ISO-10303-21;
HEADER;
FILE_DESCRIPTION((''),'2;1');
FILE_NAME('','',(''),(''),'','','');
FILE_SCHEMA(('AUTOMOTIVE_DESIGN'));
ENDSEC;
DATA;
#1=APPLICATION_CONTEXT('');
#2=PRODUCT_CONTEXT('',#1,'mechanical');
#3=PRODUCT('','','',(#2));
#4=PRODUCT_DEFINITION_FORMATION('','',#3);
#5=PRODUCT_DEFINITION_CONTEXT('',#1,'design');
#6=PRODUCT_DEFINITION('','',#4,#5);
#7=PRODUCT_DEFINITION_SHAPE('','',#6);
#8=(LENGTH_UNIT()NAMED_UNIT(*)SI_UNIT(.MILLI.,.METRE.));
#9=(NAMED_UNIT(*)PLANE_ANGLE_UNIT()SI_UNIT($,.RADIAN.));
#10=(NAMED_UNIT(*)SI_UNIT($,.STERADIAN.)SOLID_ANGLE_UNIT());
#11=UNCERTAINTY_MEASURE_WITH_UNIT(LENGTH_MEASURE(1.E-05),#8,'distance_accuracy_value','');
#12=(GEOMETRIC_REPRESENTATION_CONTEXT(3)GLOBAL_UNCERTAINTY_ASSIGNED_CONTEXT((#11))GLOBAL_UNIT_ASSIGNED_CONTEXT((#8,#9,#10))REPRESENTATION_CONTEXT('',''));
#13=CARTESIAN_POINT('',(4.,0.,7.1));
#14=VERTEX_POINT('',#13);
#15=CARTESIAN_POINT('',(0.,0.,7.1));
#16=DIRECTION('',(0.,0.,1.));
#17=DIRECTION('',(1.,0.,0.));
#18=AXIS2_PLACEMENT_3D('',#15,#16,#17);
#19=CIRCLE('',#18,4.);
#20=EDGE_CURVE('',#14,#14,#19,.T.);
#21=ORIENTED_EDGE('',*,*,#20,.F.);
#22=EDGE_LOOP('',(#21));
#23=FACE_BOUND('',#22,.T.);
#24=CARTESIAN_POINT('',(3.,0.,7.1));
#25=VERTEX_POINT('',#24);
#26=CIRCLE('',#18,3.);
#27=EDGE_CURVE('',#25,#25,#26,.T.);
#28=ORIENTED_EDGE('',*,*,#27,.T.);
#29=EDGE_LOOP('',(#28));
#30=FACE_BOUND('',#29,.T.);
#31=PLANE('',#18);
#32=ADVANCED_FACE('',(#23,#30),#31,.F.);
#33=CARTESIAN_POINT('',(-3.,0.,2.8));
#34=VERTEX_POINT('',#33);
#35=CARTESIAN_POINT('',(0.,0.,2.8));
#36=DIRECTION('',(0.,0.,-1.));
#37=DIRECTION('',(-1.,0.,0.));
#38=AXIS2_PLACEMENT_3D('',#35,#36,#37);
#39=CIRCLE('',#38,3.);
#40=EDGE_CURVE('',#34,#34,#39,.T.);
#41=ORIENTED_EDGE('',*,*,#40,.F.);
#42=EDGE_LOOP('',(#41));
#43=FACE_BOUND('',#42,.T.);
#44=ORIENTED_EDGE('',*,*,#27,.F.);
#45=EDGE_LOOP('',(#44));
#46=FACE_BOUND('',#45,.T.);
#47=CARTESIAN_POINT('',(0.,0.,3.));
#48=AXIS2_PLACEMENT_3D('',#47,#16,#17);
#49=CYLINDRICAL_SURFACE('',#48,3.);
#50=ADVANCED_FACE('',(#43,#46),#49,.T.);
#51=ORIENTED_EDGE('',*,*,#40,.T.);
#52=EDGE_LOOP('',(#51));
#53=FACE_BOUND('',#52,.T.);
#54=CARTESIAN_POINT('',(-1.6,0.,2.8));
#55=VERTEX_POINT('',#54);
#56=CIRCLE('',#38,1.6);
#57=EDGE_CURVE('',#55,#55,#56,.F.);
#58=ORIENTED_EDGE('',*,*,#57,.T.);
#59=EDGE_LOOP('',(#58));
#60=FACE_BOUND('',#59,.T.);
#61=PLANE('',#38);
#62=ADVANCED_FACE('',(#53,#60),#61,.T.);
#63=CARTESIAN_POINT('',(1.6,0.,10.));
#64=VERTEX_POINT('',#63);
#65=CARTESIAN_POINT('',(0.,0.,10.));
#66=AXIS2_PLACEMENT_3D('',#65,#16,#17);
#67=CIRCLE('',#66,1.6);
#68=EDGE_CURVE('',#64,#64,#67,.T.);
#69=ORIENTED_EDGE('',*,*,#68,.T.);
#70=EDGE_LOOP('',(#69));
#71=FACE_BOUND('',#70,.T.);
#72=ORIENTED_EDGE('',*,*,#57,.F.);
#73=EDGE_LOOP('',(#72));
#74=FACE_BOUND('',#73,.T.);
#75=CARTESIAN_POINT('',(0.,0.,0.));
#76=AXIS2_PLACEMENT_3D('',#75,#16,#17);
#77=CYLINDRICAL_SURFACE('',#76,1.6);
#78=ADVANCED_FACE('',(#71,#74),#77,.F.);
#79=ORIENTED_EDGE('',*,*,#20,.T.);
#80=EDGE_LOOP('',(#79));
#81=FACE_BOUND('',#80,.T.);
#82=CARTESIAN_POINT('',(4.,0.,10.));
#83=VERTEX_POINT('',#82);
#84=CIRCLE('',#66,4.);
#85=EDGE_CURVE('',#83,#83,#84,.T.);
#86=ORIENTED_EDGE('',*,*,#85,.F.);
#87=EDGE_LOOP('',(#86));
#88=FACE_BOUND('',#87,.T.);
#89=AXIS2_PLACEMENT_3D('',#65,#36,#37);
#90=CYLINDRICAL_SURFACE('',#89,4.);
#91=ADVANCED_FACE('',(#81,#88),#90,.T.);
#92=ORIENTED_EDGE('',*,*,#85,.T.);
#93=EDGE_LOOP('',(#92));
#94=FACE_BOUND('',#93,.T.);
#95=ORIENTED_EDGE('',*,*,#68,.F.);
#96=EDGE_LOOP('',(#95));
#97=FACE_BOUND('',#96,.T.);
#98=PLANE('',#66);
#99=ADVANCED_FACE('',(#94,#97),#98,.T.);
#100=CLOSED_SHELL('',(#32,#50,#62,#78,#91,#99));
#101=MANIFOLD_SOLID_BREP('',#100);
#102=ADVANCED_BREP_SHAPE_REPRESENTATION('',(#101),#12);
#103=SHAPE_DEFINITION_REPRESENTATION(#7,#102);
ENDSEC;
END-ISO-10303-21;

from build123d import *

# Parameters (mm, degrees)
SKETCH_1_R          = 4
EXTRUDE_1_DEPTH     = 7
SKETCH_2_R          = 1.6
CUT_EXTRUDE_1_DEPTH = 10
SKETCH_3_OUTSIDE_W  = 12.66
SKETCH_3_OUTSIDE_H  = 12.66
SKETCH_3_OUTSIDE_R  = 3
CUT_EXTRUDE_2_DEPTH = 4
SKETCH_4_R          = 4
SKETCH_4_R_2        = 1.6
EXTRUDE_2_DEPTH     = 3
SKETCH_5_R          = 4
SKETCH_5_R_2        = 3
CUT_EXTRUDE_3_DEPTH = 2.1
SKETCH_6_OUTSIDE_W  = 13.02
SKETCH_6_OUTSIDE_H  = 13.02
SKETCH_6_OUTSIDE_R  = 3
CUT_EXTRUDE_4_DEPTH = 7
SKETCH_7_R          = 3
CUT_EXTRUDE_5_DEPTH = 2.8


with BuildPart() as part:
    # 草图1 → 凸台-拉伸1 (new body)
    with BuildSketch(Plane.XY):
        Circle(SKETCH_1_R)
    extrude(amount=EXTRUDE_1_DEPTH)

    # 草图2 → 切除-拉伸1 (cut, through all)
    with BuildSketch(Plane.XY.offset(7)):
        Circle(SKETCH_2_R)
    extrude(amount=-CUT_EXTRUDE_1_DEPTH, mode=Mode.SUBTRACT)

    # 草图3 outside → 切除-拉伸2 (cut)
    with BuildSketch(Plane.XY.offset(7)):
        Rectangle(SKETCH_3_OUTSIDE_W, SKETCH_3_OUTSIDE_H)
        Circle(SKETCH_3_OUTSIDE_R, mode=Mode.SUBTRACT)
    extrude(amount=-CUT_EXTRUDE_2_DEPTH, mode=Mode.SUBTRACT)

    # 草图4 → 凸台-拉伸2 (add)
    with BuildSketch(Plane.XY.offset(7)):
        Circle(SKETCH_4_R)
        Circle(SKETCH_4_R_2, mode=Mode.SUBTRACT)
    extrude(amount=EXTRUDE_2_DEPTH)

    # 草图5 → 切除-拉伸3 (cut, symmetric)
    with BuildSketch(Plane.XY.offset(5)):
        Circle(SKETCH_5_R)
        Circle(SKETCH_5_R_2, mode=Mode.SUBTRACT)
    extrude(amount=CUT_EXTRUDE_3_DEPTH, both=True, mode=Mode.SUBTRACT)

    # 草图6 outside → 切除-拉伸4 (cut)
    with BuildSketch(Plane(origin=(0, 0, 0), x_dir=(-1, 0, 0), z_dir=(0, 0, -1))):
        Rectangle(SKETCH_6_OUTSIDE_W, SKETCH_6_OUTSIDE_H)
        with Locations(Location((0, 0, 0), (0, 0, 180))):
            Circle(SKETCH_6_OUTSIDE_R, mode=Mode.SUBTRACT)
    extrude(amount=-CUT_EXTRUDE_4_DEPTH, mode=Mode.SUBTRACT)

    # 草图7 → 切除-拉伸5 (cut)
    with BuildSketch(Plane(origin=(0, 0, 0), x_dir=(-1, 0, 0), z_dir=(0, 0, -1))):
        with Locations(Location((0, 0, 0), (0, 0, 180))):
            Circle(SKETCH_7_R)
    extrude(amount=-CUT_EXTRUDE_5_DEPTH, mode=Mode.SUBTRACT)


solid = part.part
